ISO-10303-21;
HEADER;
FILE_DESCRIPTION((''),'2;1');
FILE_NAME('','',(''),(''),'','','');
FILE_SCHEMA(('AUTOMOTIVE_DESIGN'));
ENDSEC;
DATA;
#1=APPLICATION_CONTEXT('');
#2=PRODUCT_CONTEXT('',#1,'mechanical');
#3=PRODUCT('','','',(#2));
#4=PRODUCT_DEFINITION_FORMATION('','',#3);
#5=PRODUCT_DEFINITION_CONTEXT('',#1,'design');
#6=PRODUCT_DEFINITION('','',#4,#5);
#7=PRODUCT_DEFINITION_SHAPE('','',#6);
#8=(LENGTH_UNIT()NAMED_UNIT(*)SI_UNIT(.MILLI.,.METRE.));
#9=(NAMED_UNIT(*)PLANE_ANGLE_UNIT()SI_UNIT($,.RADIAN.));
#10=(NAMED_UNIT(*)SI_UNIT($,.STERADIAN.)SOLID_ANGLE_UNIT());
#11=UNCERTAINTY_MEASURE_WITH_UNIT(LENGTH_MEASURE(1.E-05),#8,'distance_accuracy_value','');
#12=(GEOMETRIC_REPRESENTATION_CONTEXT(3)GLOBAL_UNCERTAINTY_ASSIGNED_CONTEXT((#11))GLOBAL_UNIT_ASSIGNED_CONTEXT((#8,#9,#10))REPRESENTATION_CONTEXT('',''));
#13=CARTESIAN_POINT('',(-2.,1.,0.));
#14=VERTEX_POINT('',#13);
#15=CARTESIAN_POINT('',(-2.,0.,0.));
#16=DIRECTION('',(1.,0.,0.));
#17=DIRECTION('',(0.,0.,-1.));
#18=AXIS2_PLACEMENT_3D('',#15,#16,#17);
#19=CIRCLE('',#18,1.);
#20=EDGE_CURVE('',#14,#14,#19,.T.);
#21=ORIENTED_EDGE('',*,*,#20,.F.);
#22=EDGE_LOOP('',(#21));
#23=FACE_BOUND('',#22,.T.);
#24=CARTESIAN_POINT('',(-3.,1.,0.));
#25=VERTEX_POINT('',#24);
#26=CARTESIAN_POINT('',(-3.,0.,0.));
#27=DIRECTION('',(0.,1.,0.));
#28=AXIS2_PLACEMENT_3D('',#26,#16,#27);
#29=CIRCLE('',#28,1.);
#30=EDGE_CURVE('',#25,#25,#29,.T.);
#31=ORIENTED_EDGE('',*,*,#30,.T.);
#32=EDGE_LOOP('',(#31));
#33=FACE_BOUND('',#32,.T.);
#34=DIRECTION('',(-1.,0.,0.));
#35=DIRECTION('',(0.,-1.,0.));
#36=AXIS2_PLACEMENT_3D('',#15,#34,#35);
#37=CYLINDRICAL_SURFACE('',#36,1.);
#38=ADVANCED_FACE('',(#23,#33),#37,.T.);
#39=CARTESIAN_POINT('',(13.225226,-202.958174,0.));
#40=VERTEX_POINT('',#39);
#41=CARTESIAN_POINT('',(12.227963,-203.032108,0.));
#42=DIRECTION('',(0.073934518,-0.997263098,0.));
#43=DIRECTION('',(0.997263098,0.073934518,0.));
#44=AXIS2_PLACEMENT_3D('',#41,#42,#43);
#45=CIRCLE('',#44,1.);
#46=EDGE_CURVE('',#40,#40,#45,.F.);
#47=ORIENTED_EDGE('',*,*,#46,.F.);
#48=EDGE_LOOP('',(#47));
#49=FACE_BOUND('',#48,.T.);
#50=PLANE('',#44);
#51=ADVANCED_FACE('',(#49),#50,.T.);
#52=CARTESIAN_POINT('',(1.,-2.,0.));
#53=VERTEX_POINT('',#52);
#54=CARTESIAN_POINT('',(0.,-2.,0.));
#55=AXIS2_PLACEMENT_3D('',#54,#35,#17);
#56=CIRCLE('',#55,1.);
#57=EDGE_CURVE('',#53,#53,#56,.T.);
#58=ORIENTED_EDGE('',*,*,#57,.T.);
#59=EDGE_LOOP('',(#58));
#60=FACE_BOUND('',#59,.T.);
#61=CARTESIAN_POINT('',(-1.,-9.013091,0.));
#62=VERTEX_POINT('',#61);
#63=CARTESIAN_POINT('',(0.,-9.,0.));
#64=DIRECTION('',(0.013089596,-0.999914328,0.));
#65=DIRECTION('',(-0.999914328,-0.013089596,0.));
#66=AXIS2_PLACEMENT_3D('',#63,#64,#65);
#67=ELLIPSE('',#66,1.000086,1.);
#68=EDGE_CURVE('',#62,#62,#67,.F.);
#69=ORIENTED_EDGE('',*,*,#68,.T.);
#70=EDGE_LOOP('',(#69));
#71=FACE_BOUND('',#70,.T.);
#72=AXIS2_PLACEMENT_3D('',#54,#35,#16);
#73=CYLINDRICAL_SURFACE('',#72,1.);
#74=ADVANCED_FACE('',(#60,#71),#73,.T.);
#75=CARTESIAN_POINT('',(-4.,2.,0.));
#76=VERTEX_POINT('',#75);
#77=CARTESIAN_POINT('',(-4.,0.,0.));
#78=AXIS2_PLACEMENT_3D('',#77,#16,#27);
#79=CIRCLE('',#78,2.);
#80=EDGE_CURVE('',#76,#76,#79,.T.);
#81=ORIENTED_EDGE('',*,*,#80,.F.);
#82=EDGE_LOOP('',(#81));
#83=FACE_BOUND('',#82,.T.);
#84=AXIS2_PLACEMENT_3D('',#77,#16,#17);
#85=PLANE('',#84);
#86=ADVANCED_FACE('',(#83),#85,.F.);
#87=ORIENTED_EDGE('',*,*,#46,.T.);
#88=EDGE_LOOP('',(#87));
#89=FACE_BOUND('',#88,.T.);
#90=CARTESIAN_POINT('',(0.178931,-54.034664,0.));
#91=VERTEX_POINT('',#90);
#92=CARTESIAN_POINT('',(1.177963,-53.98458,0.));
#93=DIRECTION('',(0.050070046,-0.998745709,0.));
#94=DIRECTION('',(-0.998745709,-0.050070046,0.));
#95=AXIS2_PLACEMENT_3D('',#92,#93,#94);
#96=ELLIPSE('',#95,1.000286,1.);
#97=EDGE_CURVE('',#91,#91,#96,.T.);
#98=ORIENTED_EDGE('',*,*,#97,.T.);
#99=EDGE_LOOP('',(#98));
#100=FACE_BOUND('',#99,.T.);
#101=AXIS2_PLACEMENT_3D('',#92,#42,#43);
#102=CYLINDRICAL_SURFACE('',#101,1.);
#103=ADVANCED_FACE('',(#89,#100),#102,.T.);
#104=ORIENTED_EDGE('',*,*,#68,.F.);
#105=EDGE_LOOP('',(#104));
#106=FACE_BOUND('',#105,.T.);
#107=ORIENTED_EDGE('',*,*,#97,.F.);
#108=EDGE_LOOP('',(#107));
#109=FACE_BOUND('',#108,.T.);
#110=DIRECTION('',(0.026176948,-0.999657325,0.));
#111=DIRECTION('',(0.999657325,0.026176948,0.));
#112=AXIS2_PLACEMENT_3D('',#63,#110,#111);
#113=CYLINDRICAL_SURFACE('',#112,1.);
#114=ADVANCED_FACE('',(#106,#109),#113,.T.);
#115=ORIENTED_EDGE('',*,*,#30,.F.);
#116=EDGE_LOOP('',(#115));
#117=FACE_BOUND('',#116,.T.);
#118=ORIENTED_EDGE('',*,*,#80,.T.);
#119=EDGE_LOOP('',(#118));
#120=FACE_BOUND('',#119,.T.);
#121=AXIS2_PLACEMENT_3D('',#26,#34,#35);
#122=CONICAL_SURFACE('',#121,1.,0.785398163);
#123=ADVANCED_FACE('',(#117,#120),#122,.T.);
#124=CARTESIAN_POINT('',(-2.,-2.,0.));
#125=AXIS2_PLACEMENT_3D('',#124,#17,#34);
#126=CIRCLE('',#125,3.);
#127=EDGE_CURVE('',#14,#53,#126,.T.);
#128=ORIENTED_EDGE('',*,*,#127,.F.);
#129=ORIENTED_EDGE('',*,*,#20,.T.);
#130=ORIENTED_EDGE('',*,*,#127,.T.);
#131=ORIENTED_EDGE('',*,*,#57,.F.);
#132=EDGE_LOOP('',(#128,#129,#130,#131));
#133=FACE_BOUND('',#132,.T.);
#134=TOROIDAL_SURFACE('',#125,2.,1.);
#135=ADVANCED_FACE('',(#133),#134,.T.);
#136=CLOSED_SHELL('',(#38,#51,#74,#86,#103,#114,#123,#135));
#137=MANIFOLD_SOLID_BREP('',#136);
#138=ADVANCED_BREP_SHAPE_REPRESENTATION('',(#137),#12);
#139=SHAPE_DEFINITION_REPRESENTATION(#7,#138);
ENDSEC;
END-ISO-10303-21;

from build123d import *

# Parameters (mm, degrees)
ESQUISSE2_R = 1


with BuildPart() as part:
    # Balayage1: sweep along a path in Esquisse1
    with BuildLine(Plane.XY) as balayage1_path:
        Line((12.227962674, -203.032108123), (1.177962674, -53.984579624))
        Line((1.177962674, -53.984579624), (0, -9))
        Line((0, -9), (0, -2))
        ThreePointArc((0, -2), (-0.585786438, -0.585786438), (-2, 0))
        Line((-2, 0), (-4, 0))
    # Esquisse2 → Balayage1 (sweep)
    with BuildSketch(Plane(origin=(-4, 0, 0), x_dir=(0, 0, -1), z_dir=(1, 0, 0))):
        Circle(ESQUISSE2_R)
    sweep(path=balayage1_path.line, transition=Transition.RIGHT)

    # Esquisse3 → Révolution1 (revolve)
    with BuildSketch(Plane.XY):
        Polygon((-4, 1), (-4, 2), (-3, 1), align=None)
    revolve(axis=Axis((0, 0, 0), (-1, 0, 0)))


solid = part.part
